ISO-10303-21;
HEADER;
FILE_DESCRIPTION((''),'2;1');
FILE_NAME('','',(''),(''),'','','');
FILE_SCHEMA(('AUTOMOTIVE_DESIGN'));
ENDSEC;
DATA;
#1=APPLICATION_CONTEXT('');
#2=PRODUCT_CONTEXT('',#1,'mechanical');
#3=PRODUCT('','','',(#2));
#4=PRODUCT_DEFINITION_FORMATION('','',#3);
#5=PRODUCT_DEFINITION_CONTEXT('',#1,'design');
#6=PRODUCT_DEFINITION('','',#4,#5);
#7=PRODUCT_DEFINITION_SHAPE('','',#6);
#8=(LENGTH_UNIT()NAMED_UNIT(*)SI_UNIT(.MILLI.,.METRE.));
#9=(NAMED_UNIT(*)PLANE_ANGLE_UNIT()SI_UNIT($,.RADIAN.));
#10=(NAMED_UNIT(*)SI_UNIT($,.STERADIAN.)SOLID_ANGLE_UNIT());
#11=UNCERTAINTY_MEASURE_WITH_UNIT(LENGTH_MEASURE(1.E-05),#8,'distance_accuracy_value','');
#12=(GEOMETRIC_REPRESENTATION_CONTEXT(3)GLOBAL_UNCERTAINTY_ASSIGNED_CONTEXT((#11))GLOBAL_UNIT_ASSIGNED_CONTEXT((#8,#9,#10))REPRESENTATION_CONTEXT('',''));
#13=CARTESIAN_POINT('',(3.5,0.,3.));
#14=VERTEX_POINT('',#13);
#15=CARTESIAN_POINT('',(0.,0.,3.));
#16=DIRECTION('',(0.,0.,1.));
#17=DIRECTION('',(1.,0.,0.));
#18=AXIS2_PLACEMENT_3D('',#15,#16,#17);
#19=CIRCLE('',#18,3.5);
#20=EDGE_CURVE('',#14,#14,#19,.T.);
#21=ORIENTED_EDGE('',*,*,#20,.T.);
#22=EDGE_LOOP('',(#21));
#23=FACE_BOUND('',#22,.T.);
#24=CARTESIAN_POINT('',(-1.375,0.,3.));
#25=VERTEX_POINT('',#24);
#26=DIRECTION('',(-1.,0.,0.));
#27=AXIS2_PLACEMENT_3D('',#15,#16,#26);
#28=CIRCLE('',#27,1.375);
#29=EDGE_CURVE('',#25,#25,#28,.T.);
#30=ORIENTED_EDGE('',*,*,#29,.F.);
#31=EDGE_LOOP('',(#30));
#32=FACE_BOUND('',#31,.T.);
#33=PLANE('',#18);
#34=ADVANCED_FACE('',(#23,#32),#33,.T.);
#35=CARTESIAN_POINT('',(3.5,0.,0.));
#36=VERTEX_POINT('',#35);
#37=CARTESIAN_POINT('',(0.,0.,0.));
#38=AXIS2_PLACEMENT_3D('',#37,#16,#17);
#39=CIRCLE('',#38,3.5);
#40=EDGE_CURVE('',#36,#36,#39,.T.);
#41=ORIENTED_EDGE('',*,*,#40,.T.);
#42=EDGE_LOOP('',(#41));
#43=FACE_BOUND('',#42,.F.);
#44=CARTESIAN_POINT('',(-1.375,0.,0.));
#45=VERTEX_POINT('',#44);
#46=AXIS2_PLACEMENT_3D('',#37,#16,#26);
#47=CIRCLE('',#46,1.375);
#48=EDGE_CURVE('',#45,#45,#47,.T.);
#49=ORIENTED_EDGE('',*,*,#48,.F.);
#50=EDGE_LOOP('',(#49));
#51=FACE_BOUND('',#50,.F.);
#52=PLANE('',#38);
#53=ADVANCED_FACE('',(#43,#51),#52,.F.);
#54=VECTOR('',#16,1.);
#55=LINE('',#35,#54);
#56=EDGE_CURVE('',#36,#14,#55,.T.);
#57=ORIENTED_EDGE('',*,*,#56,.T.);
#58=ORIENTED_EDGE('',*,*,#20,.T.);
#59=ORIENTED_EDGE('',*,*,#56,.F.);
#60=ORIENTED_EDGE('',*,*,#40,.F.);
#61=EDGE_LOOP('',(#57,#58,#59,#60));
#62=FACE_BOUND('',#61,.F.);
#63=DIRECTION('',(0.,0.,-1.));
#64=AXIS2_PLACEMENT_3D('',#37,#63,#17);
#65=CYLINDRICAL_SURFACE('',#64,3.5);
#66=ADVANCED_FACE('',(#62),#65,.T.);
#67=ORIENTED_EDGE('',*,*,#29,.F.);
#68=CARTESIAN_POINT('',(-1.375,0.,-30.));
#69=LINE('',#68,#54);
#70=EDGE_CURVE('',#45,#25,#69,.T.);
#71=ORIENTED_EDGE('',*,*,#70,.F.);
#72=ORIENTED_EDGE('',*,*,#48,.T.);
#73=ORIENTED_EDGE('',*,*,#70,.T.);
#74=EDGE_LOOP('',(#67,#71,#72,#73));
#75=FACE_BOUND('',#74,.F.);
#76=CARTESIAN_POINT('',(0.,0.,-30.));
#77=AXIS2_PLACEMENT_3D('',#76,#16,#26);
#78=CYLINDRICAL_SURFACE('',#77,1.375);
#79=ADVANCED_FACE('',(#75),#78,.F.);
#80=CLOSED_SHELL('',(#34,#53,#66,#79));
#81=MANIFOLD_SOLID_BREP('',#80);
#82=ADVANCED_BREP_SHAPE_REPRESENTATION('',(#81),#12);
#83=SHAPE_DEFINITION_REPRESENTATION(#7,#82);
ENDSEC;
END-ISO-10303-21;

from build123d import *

# Parameters (mm, degrees)
F0_R     = 3.5
F1_DEPTH = 3
F3_D     = 2.75
F3_DEPTH = 30


with BuildPart() as f1:
    # F0 (on Top) → F1 (new body)
    with BuildSketch(Plane.XY):
        Circle(F0_R)
    extrude(amount=F1_DEPTH)

    # F3
    with Locations(Plane(origin=(0, 0, 0), x_dir=(1, 0, 0), z_dir=(0, 0, -1))):
        with Locations((0, 0)):
            Hole(F3_D / 2, depth=F3_DEPTH)


solid = f1.part
